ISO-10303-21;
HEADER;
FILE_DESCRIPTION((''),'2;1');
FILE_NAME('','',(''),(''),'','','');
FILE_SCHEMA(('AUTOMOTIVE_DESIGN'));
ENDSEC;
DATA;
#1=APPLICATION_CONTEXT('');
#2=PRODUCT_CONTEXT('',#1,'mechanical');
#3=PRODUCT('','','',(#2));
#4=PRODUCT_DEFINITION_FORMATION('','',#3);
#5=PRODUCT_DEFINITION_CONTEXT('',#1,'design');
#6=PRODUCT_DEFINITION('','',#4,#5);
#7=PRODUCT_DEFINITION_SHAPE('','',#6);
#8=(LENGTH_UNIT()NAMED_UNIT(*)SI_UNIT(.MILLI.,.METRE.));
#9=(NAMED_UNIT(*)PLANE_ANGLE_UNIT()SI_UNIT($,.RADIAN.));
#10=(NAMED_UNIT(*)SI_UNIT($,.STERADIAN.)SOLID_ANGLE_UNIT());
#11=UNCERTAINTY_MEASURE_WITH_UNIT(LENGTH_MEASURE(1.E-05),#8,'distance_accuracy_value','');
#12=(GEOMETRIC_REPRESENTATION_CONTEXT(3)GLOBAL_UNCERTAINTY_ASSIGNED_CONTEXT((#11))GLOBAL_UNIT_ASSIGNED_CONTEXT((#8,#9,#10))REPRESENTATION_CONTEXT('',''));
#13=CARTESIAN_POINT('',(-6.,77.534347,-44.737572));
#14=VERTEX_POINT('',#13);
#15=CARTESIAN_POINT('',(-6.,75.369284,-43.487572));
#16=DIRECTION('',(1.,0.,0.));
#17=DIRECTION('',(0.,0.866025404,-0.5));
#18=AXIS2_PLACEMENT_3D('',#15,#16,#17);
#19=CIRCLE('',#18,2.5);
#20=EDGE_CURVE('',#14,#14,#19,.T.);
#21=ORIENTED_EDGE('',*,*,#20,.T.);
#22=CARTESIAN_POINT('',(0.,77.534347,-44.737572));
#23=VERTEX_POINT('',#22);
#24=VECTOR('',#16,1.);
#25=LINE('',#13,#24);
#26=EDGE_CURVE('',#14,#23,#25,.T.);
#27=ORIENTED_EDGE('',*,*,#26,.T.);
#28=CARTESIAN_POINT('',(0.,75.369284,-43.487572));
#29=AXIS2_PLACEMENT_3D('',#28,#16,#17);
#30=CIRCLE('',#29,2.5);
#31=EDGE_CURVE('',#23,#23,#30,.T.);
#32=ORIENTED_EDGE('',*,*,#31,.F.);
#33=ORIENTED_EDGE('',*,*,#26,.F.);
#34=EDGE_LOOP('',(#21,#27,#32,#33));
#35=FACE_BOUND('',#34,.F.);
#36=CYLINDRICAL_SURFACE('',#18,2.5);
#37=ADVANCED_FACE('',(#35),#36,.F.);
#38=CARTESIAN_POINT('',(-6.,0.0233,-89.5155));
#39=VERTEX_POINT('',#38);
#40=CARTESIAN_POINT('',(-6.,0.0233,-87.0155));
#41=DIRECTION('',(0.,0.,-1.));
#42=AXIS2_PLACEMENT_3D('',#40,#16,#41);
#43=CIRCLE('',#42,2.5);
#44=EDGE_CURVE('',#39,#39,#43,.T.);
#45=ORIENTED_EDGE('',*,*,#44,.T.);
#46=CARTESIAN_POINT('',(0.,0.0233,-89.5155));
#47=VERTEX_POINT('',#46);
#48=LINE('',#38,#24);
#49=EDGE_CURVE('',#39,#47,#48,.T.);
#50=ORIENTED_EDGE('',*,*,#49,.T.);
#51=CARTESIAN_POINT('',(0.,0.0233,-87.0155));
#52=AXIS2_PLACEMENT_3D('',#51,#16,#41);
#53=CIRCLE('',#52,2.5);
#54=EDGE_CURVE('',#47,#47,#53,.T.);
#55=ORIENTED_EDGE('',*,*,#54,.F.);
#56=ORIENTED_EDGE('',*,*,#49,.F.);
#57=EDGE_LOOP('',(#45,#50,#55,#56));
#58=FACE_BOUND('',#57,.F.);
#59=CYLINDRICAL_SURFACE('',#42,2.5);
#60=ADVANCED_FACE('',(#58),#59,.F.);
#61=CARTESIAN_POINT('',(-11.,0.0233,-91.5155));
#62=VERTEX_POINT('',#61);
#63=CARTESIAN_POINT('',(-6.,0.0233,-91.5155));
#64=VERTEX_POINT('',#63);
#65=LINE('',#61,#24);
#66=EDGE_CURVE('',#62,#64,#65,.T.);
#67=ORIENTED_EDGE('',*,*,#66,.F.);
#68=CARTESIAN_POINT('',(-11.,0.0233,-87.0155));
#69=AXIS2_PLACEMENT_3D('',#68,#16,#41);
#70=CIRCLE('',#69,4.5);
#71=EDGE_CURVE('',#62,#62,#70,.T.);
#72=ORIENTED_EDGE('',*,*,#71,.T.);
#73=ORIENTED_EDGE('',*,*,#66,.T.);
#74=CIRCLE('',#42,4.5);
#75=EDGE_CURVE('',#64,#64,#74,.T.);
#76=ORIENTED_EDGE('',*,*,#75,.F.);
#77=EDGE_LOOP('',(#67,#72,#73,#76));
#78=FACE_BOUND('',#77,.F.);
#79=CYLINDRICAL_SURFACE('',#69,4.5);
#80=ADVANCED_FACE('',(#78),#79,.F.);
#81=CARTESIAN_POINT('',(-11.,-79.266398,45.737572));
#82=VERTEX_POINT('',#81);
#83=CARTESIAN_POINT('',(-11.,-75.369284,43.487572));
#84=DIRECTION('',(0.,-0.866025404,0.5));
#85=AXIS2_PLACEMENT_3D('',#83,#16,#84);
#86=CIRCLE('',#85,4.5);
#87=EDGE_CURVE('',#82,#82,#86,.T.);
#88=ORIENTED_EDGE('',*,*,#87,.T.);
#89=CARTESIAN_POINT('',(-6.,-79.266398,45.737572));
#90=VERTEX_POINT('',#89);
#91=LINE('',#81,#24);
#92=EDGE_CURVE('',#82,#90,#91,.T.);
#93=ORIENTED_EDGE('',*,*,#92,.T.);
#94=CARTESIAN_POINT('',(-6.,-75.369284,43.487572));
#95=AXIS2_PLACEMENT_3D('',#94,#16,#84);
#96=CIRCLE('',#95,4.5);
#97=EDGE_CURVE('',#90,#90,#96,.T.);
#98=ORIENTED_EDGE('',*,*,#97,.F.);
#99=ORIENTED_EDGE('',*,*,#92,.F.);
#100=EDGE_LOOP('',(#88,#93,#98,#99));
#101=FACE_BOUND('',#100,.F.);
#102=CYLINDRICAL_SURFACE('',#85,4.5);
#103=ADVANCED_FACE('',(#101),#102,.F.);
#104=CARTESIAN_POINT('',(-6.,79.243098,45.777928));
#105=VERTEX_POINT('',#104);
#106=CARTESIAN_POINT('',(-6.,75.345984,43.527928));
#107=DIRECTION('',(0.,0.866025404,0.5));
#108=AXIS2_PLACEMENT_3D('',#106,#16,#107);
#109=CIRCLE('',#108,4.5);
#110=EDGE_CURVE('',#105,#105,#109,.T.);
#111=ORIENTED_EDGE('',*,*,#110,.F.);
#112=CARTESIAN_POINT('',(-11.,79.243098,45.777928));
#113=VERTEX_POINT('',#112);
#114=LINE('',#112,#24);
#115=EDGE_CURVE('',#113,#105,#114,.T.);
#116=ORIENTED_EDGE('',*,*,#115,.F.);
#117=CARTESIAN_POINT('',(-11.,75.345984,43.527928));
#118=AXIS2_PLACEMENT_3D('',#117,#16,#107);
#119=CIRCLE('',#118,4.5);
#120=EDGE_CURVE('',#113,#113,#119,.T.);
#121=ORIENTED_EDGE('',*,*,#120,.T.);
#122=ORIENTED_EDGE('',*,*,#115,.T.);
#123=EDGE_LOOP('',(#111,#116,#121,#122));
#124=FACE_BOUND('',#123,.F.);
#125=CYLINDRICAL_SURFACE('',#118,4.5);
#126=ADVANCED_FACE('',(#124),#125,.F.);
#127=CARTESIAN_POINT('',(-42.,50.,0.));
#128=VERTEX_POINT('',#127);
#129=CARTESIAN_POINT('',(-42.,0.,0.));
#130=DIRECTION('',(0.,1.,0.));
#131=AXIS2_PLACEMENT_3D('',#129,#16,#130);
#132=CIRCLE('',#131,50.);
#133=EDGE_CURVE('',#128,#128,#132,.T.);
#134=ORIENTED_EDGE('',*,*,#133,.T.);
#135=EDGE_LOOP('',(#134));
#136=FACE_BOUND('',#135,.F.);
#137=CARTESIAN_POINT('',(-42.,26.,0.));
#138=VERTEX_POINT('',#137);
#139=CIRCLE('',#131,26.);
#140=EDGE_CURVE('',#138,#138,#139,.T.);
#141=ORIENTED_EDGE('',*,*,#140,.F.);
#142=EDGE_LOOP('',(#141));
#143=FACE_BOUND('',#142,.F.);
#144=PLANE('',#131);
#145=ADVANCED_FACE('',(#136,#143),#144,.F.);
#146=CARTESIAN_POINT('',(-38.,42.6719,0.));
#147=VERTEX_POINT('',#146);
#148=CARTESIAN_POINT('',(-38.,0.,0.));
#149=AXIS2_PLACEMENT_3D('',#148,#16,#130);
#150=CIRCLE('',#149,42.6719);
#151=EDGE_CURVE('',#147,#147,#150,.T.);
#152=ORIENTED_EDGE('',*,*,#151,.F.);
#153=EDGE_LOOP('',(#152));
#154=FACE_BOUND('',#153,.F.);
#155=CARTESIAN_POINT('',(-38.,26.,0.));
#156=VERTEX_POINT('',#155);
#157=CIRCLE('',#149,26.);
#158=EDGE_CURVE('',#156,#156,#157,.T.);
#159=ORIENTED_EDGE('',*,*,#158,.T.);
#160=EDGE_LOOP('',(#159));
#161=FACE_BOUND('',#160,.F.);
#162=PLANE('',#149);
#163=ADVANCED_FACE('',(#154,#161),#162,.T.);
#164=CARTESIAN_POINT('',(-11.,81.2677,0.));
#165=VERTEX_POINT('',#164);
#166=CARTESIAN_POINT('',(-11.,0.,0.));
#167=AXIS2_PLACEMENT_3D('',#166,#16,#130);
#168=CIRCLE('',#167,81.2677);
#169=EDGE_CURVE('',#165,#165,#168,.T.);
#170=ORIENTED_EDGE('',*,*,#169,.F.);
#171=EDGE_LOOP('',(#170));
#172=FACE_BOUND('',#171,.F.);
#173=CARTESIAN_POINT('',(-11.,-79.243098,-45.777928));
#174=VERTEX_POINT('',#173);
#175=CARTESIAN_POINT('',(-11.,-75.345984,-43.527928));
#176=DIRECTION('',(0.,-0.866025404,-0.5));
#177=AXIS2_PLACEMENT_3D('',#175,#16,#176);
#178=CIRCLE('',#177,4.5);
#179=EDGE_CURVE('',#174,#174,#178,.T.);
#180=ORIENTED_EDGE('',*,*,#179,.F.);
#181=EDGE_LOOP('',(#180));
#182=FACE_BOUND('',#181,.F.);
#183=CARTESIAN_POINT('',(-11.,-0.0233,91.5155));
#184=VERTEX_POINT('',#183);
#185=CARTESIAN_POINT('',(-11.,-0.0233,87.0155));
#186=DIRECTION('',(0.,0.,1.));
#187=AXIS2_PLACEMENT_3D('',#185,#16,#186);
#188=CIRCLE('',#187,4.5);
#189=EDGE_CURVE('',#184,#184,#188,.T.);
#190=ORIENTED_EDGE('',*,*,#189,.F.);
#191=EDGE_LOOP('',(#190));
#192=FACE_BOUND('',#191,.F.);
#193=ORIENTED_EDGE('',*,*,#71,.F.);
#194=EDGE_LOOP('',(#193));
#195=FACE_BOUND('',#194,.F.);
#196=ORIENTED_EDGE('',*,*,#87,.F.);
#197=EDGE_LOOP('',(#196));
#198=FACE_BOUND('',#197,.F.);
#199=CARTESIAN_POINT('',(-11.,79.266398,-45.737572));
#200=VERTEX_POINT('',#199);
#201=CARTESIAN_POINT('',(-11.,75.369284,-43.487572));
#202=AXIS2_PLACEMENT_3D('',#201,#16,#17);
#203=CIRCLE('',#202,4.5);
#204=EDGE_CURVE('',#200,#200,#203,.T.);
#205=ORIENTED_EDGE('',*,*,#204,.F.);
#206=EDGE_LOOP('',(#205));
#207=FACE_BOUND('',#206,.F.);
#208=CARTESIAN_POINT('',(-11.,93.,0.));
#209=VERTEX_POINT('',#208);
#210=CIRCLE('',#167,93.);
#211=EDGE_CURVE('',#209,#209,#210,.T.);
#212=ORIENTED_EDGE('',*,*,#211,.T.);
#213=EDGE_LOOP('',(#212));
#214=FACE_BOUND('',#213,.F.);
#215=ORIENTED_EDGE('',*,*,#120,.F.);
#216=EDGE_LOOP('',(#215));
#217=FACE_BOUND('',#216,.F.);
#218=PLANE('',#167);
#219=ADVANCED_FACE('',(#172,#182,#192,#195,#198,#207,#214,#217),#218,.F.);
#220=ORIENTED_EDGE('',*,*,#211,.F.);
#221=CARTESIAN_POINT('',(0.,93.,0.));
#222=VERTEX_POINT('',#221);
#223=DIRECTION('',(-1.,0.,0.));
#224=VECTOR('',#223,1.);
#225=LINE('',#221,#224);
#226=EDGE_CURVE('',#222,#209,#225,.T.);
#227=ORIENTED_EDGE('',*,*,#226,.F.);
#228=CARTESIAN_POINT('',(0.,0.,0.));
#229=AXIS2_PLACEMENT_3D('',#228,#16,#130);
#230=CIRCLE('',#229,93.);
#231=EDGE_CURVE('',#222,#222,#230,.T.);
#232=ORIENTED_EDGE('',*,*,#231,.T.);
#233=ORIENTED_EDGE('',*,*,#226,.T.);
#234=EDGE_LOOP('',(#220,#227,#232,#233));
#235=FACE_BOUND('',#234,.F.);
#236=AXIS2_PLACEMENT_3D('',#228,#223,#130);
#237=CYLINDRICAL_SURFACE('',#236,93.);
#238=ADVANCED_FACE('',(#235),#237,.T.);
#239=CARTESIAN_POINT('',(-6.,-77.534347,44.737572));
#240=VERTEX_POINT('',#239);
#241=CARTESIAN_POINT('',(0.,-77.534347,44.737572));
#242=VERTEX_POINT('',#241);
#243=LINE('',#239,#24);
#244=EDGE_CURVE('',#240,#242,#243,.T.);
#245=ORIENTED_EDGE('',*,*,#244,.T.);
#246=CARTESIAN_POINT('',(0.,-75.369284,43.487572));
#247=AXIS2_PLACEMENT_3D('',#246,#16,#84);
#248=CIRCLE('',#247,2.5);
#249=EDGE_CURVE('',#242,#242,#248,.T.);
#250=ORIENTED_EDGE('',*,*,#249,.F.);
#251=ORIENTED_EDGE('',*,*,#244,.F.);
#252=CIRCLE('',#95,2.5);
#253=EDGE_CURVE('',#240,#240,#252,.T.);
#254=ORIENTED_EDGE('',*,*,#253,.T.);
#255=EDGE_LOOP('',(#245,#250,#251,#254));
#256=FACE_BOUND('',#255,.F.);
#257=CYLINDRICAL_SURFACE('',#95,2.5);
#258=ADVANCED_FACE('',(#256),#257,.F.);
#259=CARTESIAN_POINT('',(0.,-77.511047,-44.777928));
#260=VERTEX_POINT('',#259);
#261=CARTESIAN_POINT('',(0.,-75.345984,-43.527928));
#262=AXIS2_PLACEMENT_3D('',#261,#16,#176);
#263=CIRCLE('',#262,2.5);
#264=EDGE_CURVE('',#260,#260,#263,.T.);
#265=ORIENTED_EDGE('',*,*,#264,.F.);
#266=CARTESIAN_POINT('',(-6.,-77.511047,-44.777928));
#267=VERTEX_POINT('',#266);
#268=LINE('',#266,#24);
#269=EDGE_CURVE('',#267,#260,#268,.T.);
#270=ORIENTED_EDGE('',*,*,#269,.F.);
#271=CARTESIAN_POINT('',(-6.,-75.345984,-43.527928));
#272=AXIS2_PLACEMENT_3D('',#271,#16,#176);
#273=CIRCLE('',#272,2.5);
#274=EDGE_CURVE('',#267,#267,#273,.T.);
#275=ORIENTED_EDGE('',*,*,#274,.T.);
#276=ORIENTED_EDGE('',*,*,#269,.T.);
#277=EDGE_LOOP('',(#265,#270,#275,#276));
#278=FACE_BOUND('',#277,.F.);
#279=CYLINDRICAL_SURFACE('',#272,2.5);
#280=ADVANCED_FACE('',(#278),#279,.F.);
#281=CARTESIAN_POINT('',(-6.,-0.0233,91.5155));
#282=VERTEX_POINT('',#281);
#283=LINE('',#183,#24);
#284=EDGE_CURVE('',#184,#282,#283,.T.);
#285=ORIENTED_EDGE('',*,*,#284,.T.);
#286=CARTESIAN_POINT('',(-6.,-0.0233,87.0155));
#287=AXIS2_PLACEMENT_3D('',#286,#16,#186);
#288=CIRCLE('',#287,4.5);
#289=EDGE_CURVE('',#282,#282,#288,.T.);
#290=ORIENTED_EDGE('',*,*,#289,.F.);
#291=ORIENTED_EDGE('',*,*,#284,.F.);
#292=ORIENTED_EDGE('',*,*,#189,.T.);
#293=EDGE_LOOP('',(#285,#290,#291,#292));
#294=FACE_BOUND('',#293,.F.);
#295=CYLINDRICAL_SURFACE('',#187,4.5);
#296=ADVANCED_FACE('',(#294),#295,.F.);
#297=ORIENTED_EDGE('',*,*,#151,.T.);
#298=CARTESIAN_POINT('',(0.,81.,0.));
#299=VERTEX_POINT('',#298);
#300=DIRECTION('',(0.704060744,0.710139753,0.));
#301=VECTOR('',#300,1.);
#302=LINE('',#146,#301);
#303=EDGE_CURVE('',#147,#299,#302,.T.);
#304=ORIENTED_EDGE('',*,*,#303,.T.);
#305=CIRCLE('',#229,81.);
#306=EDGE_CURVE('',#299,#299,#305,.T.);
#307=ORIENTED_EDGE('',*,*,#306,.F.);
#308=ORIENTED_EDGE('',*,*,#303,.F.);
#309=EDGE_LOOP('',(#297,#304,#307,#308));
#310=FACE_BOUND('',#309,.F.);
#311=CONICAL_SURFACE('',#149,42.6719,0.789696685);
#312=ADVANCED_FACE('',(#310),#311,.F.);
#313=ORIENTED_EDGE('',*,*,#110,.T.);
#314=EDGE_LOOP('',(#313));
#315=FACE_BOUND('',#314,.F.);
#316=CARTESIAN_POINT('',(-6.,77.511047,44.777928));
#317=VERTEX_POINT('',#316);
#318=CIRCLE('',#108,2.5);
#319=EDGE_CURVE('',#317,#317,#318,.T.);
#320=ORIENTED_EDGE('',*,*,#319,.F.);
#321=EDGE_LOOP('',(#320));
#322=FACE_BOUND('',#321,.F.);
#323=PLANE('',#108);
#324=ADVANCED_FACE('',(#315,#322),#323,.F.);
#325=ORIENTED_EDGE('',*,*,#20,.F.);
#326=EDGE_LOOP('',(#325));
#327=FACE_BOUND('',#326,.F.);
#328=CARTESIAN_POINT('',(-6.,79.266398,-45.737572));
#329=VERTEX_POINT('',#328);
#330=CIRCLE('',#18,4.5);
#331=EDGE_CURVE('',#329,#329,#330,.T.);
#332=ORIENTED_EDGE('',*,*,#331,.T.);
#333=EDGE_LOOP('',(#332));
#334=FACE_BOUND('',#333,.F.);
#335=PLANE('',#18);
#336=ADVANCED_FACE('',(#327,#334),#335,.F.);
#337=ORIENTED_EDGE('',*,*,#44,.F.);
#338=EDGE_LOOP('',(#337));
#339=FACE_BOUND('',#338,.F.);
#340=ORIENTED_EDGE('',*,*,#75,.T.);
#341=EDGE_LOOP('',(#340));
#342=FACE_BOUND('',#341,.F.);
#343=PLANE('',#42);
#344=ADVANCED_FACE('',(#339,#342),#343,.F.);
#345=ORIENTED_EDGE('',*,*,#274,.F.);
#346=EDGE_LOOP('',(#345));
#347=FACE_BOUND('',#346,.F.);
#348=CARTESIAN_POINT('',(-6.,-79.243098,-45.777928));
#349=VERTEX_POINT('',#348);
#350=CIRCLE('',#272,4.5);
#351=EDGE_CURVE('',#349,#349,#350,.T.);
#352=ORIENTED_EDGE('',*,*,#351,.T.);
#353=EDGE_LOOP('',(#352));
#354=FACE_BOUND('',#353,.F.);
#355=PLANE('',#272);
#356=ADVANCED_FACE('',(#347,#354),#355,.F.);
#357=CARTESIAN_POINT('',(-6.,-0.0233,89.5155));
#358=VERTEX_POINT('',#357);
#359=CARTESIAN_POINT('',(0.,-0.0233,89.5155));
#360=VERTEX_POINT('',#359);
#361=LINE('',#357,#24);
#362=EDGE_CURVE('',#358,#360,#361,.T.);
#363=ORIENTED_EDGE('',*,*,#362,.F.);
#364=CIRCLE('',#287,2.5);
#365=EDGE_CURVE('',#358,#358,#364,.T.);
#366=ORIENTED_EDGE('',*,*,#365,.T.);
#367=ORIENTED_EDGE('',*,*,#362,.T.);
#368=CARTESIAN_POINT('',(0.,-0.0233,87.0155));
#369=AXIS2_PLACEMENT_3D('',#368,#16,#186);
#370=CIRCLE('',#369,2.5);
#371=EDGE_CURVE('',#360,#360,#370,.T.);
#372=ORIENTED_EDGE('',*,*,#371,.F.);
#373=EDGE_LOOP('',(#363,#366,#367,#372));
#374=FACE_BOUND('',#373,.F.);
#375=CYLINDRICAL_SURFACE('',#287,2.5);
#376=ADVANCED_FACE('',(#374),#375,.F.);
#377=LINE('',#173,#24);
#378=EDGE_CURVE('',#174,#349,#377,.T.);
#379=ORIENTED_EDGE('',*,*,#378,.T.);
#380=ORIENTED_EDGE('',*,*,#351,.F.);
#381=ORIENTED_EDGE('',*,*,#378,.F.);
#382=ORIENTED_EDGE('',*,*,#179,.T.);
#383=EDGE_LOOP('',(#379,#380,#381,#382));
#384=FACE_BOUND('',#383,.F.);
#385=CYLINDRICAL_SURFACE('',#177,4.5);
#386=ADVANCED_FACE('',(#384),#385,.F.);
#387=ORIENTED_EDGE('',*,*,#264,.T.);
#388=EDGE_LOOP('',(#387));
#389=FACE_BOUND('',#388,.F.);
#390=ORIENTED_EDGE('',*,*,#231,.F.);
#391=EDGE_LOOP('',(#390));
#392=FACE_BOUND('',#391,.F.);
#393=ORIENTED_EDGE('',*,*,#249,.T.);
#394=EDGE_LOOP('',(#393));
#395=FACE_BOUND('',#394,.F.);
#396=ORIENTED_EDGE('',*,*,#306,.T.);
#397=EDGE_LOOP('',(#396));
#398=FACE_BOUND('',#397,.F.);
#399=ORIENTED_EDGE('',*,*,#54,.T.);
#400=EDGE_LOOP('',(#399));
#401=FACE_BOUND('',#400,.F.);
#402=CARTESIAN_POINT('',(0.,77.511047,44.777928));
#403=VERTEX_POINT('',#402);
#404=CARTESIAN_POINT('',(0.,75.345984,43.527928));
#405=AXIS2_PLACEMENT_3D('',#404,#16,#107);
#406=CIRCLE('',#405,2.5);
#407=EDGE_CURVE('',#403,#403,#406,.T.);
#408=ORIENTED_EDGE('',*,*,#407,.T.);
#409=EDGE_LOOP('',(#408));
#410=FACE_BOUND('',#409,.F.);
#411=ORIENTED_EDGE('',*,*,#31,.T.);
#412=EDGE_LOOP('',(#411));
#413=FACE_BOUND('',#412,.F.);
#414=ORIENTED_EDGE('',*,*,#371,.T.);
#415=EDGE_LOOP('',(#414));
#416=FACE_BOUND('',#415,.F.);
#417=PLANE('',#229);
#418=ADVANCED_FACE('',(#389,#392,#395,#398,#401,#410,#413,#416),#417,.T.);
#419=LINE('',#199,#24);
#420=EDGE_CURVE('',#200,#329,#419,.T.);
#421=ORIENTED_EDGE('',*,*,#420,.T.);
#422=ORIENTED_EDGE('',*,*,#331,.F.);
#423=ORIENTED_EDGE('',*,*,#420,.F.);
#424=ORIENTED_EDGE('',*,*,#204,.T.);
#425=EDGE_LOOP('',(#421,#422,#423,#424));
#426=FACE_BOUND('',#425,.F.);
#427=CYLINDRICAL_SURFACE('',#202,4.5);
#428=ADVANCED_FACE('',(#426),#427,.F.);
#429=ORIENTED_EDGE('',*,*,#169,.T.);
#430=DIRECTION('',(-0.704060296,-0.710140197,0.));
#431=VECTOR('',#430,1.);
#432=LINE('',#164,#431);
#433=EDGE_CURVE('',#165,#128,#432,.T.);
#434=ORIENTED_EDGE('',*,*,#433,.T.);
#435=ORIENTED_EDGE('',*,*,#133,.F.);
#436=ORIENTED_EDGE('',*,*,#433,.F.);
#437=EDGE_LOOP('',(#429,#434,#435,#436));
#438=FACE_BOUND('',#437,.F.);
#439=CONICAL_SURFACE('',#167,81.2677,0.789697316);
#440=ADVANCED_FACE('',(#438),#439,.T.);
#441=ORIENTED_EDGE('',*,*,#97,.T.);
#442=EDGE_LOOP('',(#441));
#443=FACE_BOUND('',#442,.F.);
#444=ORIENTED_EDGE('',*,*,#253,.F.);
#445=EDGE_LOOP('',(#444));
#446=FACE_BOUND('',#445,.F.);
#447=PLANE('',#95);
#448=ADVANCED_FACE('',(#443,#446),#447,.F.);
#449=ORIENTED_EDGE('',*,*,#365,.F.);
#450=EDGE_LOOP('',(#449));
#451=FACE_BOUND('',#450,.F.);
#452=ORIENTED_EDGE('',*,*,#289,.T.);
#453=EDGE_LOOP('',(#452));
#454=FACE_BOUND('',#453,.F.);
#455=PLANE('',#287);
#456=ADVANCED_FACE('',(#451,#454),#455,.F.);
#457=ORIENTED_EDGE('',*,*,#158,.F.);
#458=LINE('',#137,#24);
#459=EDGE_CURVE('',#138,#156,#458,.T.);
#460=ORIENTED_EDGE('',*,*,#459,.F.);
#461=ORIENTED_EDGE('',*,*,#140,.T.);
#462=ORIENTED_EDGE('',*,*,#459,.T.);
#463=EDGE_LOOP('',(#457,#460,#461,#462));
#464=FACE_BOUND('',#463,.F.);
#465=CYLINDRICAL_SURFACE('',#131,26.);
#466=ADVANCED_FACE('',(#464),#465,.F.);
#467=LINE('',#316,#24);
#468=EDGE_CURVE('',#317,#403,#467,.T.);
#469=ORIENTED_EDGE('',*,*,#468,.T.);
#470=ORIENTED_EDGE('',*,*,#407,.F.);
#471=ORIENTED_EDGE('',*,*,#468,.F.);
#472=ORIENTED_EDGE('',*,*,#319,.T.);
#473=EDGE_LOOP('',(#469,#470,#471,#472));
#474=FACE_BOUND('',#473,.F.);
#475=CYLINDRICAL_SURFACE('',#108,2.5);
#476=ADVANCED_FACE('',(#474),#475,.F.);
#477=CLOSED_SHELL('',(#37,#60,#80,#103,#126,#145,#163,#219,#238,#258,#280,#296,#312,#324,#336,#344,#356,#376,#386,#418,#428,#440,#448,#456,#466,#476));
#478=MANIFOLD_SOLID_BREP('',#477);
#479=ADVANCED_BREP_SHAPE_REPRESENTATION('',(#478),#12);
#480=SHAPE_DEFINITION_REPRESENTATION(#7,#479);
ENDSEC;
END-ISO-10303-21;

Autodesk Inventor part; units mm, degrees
ref_plane "YZ Plane" through (0, 0, 0) normal (1, 0, 0) x (0, 1, 0)
ref_plane "XZ Plane" through (0, 0, 0) normal (0, 1, 0) x (-1, 0, 0)
ref_plane "XY Plane" through (0, 0, 0) normal (0, 0, 1) x (1, 0, 0)
sketch "Эскиз1" plane through (0, 0, 0) normal (0, 0, 1) x (1, 0, 0)
  line L0 (0, 81) -> (0, 93)
  line L1 (0, 93) -> (-11, 93)
  line L2 (-11, 93) -> (-11, 81.2677)
  line L3 (-11, 81.2677) -> (-42, 50)
  line L4 (-42, 50) -> (-42, 26)
  line L5 (-42, 26) -> (-38, 26)
  line L6 (-38, 26) -> (-38, 42.6719)
  line L7 (-38, 42.6719) -> (0, 81)
  line L8 (0, 0) -> (0, 108.7974) construction
  line L9 (-50.4, 0) -> (8.4, 0) projected
  dimension "d0" = 11
  dimension "d1" = 12
  dimension "d2" = 24
  dimension "d3" = 4
  dimension "d4" = 8
  dimension "d5" = 67
  dimension "d6" = 42
  dimension "d7" = 93
revolve "Вращение1" add sketch "Эскиз1" angle 360 about axis through (-10, 0, 0) along (1, 0, 0)
hole "Отверстие1" at (-11, -0.0233, 87.0155) direction (1, 0, 0) diameter 5 end through all counterbore diameter 9 counterbore depth 5
pattern_circular "Круговой массив1" count 6 over 360 about axis through (-10, 0, 0) along (1, 0, 0) of "Отверстие1"
